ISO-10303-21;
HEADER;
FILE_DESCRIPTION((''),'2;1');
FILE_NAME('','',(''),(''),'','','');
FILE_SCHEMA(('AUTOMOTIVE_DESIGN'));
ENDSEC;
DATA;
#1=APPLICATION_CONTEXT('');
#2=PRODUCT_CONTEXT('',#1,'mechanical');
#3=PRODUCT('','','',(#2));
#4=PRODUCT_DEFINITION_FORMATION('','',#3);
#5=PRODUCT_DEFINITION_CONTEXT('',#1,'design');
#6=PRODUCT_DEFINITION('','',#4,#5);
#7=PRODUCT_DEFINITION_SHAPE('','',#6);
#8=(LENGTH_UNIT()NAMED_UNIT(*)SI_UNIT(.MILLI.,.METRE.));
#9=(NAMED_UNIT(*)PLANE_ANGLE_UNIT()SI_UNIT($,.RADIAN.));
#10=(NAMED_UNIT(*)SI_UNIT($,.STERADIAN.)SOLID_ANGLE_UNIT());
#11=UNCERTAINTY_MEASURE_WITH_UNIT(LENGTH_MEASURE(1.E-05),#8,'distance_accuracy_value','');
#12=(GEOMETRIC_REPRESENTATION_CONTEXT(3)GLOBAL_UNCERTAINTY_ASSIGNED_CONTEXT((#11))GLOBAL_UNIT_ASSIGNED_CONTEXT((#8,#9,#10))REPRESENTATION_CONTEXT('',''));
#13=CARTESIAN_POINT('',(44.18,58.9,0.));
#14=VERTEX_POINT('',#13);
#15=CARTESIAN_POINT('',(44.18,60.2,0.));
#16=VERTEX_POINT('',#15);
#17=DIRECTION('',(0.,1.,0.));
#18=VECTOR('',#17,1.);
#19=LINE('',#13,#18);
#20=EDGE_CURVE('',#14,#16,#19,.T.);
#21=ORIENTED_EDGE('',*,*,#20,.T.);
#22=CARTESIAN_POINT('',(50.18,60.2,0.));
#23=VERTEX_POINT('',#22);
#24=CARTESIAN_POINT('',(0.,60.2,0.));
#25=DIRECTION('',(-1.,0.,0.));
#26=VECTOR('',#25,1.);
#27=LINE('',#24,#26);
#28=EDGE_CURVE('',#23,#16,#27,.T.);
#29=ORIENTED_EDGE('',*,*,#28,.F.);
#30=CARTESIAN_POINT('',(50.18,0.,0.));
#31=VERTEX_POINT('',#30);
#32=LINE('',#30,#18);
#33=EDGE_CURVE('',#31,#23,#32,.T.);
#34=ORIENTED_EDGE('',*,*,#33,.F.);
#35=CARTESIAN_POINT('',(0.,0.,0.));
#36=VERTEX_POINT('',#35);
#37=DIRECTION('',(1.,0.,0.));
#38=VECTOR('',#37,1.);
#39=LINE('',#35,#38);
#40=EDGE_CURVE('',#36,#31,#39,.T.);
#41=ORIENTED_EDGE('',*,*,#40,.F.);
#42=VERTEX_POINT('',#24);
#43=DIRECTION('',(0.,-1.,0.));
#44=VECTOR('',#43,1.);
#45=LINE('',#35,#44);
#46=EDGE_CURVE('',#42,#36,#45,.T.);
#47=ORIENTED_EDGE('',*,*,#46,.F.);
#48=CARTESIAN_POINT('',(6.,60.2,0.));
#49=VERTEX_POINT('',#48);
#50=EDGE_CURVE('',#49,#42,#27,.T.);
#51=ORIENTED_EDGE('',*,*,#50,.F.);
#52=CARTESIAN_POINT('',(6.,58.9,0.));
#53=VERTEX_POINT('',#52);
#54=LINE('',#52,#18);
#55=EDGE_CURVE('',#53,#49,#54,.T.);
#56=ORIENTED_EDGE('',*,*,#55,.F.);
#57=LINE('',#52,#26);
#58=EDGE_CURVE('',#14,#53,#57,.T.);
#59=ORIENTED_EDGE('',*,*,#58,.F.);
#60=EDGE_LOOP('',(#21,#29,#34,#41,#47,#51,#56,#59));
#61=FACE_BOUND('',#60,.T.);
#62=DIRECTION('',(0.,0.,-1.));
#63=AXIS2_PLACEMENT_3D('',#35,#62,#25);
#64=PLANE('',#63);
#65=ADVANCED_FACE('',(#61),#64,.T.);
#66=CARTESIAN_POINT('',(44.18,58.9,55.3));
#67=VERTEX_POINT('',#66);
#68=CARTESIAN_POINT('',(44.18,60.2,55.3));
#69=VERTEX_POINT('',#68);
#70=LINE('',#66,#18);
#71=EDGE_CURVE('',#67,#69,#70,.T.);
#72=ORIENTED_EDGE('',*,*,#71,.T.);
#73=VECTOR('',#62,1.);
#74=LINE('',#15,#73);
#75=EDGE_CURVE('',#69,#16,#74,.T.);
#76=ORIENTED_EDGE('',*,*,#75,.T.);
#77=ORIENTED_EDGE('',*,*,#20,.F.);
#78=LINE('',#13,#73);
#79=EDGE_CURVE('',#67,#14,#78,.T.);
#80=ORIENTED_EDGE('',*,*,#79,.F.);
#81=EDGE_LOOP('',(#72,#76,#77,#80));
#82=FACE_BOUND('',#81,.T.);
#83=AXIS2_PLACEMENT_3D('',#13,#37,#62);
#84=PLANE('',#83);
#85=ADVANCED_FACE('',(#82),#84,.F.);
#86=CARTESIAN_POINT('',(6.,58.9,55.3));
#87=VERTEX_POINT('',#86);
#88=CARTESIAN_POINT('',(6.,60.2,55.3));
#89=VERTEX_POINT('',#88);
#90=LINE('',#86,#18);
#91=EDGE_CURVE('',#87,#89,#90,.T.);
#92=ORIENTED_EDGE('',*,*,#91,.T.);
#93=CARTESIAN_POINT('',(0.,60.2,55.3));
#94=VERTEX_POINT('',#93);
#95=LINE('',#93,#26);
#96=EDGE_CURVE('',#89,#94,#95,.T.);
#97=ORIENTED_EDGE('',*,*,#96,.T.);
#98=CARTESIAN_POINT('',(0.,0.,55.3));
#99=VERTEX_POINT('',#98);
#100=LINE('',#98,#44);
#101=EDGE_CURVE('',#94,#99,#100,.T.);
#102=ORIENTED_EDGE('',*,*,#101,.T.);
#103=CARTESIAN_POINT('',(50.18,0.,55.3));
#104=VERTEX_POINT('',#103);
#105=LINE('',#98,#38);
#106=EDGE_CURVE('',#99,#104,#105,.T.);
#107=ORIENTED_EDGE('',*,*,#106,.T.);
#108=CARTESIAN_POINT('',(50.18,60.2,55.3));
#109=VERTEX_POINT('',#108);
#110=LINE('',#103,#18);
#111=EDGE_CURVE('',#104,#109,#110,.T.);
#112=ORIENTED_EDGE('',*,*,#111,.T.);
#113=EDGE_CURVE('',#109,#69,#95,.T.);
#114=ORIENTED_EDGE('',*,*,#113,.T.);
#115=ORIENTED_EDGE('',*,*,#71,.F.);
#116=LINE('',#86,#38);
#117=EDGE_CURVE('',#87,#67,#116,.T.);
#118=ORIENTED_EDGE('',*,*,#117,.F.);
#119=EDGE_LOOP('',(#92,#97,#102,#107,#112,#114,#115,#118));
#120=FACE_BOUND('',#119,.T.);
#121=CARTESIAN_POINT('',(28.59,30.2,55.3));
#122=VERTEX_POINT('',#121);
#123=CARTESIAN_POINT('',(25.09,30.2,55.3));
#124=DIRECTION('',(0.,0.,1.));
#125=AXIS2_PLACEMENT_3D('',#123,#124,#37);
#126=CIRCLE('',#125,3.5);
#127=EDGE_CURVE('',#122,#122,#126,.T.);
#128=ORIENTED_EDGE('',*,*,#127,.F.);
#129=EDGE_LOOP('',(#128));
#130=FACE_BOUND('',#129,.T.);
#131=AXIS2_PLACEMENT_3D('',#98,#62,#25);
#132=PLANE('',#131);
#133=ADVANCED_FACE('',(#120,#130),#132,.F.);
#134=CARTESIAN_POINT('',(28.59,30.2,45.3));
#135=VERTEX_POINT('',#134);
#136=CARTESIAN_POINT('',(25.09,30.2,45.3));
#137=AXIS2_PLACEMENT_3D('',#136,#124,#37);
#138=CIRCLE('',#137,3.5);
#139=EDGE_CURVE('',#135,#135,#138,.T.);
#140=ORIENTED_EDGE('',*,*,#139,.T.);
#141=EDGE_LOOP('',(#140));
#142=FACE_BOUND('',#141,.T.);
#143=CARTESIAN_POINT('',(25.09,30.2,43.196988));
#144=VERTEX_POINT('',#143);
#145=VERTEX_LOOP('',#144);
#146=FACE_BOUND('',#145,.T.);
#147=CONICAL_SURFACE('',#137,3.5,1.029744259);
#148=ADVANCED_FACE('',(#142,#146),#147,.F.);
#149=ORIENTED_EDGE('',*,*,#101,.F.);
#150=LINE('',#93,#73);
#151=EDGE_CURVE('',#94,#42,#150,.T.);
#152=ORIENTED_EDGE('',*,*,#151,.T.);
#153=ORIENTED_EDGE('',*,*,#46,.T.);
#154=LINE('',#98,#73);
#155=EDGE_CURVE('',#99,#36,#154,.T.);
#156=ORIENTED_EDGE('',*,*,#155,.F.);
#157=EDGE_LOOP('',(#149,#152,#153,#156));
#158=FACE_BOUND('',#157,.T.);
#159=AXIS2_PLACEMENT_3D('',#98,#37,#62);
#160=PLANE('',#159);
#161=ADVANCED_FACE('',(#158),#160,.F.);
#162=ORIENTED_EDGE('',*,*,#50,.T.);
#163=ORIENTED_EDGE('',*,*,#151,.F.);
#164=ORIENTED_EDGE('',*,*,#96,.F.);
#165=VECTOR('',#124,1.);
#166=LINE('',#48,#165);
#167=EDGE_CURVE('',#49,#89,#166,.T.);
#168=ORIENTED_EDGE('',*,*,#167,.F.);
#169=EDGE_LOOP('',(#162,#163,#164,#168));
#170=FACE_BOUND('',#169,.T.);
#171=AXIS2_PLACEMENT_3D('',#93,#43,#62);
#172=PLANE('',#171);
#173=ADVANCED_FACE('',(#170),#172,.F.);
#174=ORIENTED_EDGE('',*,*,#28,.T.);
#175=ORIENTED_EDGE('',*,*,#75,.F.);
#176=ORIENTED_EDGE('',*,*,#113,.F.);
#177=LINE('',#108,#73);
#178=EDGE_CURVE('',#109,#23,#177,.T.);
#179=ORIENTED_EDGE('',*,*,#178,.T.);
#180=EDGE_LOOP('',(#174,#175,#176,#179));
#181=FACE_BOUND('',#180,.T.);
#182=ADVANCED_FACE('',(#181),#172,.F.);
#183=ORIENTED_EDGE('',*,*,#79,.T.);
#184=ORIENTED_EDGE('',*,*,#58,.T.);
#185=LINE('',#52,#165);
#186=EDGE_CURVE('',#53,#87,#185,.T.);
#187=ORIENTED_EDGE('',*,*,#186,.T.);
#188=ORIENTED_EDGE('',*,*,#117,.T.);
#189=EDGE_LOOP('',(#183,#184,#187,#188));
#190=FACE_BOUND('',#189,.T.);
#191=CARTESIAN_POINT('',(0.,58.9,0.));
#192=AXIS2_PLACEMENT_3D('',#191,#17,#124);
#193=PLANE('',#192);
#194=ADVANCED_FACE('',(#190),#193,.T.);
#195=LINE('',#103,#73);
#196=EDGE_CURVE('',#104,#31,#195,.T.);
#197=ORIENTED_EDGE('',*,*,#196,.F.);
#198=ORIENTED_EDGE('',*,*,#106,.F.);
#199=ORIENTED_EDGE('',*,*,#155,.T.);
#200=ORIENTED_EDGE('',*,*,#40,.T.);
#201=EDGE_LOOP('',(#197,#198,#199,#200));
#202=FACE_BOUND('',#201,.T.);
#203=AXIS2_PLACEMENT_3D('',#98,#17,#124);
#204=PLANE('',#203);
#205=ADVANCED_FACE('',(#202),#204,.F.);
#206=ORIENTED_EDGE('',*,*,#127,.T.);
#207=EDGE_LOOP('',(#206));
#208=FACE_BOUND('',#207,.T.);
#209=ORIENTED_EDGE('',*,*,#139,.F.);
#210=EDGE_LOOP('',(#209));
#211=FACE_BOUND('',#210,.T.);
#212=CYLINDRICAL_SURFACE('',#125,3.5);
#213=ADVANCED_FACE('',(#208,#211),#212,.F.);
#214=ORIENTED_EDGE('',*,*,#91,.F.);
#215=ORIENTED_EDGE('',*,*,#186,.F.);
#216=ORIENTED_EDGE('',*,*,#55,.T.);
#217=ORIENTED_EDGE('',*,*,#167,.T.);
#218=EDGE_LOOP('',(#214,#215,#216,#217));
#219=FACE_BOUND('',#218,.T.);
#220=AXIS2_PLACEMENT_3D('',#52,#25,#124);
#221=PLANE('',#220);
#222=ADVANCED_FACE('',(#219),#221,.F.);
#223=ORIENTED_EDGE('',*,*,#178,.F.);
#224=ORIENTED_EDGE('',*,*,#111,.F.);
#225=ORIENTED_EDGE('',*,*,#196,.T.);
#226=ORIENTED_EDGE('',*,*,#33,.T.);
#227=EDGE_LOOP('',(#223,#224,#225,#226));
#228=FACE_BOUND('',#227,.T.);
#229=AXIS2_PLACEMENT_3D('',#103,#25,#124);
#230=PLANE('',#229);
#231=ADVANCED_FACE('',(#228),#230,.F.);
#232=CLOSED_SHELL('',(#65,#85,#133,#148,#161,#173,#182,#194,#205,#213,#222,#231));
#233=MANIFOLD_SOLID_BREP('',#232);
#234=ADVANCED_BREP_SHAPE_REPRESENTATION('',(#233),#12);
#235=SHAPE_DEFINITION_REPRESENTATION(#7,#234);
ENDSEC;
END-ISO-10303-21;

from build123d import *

# Parameters (mm, degrees)
SKETCH1_W                 = 50.18
SKETCH1_H                 = 60.2
BOSS_EXTRUDE1_DEPTH       = 55.3
SKETCH2_W                 = 38.18
SKETCH2_H                 = 55.3
CUT_EXTRUDE1_DEPTH        = 1.3
M8X1_0_TAPPED_HOLE1_D     = 7
M8X1_0_TAPPED_HOLE1_DEPTH = 10
M8X1_0_TAPPED_HOLE1_TIP   = 2.103012167


with BuildPart() as part:
    # Sketch1 → Boss-Extrude1 (new body)
    with BuildSketch(Plane.XY):
        with Locations((25.09, 30.1)):
            Rectangle(SKETCH1_W, SKETCH1_H)
    extrude(amount=BOSS_EXTRUDE1_DEPTH)

    # Sketch2 → Cut-Extrude1 (cut)
    with BuildSketch(Plane(origin=(0, 60.2, 0), x_dir=(1, 0, 0), z_dir=(0, 1, 0))):
        with Locations((25.09, -27.65)):
            Rectangle(SKETCH2_W, SKETCH2_H)
    extrude(amount=-CUT_EXTRUDE1_DEPTH, mode=Mode.SUBTRACT)

    # M8x1.0 Tapped Hole1
    with Locations(Plane.XY.offset(55.3)):
        with Locations((25.09, 30.2)):
            Hole(M8X1_0_TAPPED_HOLE1_D / 2, depth=M8X1_0_TAPPED_HOLE1_DEPTH)
            with Locations((0, 0, -(M8X1_0_TAPPED_HOLE1_DEPTH + M8X1_0_TAPPED_HOLE1_TIP / 2))):  # 118° drill point
                Cone(0, M8X1_0_TAPPED_HOLE1_D / 2, M8X1_0_TAPPED_HOLE1_TIP, mode=Mode.SUBTRACT)


solid = part.part
